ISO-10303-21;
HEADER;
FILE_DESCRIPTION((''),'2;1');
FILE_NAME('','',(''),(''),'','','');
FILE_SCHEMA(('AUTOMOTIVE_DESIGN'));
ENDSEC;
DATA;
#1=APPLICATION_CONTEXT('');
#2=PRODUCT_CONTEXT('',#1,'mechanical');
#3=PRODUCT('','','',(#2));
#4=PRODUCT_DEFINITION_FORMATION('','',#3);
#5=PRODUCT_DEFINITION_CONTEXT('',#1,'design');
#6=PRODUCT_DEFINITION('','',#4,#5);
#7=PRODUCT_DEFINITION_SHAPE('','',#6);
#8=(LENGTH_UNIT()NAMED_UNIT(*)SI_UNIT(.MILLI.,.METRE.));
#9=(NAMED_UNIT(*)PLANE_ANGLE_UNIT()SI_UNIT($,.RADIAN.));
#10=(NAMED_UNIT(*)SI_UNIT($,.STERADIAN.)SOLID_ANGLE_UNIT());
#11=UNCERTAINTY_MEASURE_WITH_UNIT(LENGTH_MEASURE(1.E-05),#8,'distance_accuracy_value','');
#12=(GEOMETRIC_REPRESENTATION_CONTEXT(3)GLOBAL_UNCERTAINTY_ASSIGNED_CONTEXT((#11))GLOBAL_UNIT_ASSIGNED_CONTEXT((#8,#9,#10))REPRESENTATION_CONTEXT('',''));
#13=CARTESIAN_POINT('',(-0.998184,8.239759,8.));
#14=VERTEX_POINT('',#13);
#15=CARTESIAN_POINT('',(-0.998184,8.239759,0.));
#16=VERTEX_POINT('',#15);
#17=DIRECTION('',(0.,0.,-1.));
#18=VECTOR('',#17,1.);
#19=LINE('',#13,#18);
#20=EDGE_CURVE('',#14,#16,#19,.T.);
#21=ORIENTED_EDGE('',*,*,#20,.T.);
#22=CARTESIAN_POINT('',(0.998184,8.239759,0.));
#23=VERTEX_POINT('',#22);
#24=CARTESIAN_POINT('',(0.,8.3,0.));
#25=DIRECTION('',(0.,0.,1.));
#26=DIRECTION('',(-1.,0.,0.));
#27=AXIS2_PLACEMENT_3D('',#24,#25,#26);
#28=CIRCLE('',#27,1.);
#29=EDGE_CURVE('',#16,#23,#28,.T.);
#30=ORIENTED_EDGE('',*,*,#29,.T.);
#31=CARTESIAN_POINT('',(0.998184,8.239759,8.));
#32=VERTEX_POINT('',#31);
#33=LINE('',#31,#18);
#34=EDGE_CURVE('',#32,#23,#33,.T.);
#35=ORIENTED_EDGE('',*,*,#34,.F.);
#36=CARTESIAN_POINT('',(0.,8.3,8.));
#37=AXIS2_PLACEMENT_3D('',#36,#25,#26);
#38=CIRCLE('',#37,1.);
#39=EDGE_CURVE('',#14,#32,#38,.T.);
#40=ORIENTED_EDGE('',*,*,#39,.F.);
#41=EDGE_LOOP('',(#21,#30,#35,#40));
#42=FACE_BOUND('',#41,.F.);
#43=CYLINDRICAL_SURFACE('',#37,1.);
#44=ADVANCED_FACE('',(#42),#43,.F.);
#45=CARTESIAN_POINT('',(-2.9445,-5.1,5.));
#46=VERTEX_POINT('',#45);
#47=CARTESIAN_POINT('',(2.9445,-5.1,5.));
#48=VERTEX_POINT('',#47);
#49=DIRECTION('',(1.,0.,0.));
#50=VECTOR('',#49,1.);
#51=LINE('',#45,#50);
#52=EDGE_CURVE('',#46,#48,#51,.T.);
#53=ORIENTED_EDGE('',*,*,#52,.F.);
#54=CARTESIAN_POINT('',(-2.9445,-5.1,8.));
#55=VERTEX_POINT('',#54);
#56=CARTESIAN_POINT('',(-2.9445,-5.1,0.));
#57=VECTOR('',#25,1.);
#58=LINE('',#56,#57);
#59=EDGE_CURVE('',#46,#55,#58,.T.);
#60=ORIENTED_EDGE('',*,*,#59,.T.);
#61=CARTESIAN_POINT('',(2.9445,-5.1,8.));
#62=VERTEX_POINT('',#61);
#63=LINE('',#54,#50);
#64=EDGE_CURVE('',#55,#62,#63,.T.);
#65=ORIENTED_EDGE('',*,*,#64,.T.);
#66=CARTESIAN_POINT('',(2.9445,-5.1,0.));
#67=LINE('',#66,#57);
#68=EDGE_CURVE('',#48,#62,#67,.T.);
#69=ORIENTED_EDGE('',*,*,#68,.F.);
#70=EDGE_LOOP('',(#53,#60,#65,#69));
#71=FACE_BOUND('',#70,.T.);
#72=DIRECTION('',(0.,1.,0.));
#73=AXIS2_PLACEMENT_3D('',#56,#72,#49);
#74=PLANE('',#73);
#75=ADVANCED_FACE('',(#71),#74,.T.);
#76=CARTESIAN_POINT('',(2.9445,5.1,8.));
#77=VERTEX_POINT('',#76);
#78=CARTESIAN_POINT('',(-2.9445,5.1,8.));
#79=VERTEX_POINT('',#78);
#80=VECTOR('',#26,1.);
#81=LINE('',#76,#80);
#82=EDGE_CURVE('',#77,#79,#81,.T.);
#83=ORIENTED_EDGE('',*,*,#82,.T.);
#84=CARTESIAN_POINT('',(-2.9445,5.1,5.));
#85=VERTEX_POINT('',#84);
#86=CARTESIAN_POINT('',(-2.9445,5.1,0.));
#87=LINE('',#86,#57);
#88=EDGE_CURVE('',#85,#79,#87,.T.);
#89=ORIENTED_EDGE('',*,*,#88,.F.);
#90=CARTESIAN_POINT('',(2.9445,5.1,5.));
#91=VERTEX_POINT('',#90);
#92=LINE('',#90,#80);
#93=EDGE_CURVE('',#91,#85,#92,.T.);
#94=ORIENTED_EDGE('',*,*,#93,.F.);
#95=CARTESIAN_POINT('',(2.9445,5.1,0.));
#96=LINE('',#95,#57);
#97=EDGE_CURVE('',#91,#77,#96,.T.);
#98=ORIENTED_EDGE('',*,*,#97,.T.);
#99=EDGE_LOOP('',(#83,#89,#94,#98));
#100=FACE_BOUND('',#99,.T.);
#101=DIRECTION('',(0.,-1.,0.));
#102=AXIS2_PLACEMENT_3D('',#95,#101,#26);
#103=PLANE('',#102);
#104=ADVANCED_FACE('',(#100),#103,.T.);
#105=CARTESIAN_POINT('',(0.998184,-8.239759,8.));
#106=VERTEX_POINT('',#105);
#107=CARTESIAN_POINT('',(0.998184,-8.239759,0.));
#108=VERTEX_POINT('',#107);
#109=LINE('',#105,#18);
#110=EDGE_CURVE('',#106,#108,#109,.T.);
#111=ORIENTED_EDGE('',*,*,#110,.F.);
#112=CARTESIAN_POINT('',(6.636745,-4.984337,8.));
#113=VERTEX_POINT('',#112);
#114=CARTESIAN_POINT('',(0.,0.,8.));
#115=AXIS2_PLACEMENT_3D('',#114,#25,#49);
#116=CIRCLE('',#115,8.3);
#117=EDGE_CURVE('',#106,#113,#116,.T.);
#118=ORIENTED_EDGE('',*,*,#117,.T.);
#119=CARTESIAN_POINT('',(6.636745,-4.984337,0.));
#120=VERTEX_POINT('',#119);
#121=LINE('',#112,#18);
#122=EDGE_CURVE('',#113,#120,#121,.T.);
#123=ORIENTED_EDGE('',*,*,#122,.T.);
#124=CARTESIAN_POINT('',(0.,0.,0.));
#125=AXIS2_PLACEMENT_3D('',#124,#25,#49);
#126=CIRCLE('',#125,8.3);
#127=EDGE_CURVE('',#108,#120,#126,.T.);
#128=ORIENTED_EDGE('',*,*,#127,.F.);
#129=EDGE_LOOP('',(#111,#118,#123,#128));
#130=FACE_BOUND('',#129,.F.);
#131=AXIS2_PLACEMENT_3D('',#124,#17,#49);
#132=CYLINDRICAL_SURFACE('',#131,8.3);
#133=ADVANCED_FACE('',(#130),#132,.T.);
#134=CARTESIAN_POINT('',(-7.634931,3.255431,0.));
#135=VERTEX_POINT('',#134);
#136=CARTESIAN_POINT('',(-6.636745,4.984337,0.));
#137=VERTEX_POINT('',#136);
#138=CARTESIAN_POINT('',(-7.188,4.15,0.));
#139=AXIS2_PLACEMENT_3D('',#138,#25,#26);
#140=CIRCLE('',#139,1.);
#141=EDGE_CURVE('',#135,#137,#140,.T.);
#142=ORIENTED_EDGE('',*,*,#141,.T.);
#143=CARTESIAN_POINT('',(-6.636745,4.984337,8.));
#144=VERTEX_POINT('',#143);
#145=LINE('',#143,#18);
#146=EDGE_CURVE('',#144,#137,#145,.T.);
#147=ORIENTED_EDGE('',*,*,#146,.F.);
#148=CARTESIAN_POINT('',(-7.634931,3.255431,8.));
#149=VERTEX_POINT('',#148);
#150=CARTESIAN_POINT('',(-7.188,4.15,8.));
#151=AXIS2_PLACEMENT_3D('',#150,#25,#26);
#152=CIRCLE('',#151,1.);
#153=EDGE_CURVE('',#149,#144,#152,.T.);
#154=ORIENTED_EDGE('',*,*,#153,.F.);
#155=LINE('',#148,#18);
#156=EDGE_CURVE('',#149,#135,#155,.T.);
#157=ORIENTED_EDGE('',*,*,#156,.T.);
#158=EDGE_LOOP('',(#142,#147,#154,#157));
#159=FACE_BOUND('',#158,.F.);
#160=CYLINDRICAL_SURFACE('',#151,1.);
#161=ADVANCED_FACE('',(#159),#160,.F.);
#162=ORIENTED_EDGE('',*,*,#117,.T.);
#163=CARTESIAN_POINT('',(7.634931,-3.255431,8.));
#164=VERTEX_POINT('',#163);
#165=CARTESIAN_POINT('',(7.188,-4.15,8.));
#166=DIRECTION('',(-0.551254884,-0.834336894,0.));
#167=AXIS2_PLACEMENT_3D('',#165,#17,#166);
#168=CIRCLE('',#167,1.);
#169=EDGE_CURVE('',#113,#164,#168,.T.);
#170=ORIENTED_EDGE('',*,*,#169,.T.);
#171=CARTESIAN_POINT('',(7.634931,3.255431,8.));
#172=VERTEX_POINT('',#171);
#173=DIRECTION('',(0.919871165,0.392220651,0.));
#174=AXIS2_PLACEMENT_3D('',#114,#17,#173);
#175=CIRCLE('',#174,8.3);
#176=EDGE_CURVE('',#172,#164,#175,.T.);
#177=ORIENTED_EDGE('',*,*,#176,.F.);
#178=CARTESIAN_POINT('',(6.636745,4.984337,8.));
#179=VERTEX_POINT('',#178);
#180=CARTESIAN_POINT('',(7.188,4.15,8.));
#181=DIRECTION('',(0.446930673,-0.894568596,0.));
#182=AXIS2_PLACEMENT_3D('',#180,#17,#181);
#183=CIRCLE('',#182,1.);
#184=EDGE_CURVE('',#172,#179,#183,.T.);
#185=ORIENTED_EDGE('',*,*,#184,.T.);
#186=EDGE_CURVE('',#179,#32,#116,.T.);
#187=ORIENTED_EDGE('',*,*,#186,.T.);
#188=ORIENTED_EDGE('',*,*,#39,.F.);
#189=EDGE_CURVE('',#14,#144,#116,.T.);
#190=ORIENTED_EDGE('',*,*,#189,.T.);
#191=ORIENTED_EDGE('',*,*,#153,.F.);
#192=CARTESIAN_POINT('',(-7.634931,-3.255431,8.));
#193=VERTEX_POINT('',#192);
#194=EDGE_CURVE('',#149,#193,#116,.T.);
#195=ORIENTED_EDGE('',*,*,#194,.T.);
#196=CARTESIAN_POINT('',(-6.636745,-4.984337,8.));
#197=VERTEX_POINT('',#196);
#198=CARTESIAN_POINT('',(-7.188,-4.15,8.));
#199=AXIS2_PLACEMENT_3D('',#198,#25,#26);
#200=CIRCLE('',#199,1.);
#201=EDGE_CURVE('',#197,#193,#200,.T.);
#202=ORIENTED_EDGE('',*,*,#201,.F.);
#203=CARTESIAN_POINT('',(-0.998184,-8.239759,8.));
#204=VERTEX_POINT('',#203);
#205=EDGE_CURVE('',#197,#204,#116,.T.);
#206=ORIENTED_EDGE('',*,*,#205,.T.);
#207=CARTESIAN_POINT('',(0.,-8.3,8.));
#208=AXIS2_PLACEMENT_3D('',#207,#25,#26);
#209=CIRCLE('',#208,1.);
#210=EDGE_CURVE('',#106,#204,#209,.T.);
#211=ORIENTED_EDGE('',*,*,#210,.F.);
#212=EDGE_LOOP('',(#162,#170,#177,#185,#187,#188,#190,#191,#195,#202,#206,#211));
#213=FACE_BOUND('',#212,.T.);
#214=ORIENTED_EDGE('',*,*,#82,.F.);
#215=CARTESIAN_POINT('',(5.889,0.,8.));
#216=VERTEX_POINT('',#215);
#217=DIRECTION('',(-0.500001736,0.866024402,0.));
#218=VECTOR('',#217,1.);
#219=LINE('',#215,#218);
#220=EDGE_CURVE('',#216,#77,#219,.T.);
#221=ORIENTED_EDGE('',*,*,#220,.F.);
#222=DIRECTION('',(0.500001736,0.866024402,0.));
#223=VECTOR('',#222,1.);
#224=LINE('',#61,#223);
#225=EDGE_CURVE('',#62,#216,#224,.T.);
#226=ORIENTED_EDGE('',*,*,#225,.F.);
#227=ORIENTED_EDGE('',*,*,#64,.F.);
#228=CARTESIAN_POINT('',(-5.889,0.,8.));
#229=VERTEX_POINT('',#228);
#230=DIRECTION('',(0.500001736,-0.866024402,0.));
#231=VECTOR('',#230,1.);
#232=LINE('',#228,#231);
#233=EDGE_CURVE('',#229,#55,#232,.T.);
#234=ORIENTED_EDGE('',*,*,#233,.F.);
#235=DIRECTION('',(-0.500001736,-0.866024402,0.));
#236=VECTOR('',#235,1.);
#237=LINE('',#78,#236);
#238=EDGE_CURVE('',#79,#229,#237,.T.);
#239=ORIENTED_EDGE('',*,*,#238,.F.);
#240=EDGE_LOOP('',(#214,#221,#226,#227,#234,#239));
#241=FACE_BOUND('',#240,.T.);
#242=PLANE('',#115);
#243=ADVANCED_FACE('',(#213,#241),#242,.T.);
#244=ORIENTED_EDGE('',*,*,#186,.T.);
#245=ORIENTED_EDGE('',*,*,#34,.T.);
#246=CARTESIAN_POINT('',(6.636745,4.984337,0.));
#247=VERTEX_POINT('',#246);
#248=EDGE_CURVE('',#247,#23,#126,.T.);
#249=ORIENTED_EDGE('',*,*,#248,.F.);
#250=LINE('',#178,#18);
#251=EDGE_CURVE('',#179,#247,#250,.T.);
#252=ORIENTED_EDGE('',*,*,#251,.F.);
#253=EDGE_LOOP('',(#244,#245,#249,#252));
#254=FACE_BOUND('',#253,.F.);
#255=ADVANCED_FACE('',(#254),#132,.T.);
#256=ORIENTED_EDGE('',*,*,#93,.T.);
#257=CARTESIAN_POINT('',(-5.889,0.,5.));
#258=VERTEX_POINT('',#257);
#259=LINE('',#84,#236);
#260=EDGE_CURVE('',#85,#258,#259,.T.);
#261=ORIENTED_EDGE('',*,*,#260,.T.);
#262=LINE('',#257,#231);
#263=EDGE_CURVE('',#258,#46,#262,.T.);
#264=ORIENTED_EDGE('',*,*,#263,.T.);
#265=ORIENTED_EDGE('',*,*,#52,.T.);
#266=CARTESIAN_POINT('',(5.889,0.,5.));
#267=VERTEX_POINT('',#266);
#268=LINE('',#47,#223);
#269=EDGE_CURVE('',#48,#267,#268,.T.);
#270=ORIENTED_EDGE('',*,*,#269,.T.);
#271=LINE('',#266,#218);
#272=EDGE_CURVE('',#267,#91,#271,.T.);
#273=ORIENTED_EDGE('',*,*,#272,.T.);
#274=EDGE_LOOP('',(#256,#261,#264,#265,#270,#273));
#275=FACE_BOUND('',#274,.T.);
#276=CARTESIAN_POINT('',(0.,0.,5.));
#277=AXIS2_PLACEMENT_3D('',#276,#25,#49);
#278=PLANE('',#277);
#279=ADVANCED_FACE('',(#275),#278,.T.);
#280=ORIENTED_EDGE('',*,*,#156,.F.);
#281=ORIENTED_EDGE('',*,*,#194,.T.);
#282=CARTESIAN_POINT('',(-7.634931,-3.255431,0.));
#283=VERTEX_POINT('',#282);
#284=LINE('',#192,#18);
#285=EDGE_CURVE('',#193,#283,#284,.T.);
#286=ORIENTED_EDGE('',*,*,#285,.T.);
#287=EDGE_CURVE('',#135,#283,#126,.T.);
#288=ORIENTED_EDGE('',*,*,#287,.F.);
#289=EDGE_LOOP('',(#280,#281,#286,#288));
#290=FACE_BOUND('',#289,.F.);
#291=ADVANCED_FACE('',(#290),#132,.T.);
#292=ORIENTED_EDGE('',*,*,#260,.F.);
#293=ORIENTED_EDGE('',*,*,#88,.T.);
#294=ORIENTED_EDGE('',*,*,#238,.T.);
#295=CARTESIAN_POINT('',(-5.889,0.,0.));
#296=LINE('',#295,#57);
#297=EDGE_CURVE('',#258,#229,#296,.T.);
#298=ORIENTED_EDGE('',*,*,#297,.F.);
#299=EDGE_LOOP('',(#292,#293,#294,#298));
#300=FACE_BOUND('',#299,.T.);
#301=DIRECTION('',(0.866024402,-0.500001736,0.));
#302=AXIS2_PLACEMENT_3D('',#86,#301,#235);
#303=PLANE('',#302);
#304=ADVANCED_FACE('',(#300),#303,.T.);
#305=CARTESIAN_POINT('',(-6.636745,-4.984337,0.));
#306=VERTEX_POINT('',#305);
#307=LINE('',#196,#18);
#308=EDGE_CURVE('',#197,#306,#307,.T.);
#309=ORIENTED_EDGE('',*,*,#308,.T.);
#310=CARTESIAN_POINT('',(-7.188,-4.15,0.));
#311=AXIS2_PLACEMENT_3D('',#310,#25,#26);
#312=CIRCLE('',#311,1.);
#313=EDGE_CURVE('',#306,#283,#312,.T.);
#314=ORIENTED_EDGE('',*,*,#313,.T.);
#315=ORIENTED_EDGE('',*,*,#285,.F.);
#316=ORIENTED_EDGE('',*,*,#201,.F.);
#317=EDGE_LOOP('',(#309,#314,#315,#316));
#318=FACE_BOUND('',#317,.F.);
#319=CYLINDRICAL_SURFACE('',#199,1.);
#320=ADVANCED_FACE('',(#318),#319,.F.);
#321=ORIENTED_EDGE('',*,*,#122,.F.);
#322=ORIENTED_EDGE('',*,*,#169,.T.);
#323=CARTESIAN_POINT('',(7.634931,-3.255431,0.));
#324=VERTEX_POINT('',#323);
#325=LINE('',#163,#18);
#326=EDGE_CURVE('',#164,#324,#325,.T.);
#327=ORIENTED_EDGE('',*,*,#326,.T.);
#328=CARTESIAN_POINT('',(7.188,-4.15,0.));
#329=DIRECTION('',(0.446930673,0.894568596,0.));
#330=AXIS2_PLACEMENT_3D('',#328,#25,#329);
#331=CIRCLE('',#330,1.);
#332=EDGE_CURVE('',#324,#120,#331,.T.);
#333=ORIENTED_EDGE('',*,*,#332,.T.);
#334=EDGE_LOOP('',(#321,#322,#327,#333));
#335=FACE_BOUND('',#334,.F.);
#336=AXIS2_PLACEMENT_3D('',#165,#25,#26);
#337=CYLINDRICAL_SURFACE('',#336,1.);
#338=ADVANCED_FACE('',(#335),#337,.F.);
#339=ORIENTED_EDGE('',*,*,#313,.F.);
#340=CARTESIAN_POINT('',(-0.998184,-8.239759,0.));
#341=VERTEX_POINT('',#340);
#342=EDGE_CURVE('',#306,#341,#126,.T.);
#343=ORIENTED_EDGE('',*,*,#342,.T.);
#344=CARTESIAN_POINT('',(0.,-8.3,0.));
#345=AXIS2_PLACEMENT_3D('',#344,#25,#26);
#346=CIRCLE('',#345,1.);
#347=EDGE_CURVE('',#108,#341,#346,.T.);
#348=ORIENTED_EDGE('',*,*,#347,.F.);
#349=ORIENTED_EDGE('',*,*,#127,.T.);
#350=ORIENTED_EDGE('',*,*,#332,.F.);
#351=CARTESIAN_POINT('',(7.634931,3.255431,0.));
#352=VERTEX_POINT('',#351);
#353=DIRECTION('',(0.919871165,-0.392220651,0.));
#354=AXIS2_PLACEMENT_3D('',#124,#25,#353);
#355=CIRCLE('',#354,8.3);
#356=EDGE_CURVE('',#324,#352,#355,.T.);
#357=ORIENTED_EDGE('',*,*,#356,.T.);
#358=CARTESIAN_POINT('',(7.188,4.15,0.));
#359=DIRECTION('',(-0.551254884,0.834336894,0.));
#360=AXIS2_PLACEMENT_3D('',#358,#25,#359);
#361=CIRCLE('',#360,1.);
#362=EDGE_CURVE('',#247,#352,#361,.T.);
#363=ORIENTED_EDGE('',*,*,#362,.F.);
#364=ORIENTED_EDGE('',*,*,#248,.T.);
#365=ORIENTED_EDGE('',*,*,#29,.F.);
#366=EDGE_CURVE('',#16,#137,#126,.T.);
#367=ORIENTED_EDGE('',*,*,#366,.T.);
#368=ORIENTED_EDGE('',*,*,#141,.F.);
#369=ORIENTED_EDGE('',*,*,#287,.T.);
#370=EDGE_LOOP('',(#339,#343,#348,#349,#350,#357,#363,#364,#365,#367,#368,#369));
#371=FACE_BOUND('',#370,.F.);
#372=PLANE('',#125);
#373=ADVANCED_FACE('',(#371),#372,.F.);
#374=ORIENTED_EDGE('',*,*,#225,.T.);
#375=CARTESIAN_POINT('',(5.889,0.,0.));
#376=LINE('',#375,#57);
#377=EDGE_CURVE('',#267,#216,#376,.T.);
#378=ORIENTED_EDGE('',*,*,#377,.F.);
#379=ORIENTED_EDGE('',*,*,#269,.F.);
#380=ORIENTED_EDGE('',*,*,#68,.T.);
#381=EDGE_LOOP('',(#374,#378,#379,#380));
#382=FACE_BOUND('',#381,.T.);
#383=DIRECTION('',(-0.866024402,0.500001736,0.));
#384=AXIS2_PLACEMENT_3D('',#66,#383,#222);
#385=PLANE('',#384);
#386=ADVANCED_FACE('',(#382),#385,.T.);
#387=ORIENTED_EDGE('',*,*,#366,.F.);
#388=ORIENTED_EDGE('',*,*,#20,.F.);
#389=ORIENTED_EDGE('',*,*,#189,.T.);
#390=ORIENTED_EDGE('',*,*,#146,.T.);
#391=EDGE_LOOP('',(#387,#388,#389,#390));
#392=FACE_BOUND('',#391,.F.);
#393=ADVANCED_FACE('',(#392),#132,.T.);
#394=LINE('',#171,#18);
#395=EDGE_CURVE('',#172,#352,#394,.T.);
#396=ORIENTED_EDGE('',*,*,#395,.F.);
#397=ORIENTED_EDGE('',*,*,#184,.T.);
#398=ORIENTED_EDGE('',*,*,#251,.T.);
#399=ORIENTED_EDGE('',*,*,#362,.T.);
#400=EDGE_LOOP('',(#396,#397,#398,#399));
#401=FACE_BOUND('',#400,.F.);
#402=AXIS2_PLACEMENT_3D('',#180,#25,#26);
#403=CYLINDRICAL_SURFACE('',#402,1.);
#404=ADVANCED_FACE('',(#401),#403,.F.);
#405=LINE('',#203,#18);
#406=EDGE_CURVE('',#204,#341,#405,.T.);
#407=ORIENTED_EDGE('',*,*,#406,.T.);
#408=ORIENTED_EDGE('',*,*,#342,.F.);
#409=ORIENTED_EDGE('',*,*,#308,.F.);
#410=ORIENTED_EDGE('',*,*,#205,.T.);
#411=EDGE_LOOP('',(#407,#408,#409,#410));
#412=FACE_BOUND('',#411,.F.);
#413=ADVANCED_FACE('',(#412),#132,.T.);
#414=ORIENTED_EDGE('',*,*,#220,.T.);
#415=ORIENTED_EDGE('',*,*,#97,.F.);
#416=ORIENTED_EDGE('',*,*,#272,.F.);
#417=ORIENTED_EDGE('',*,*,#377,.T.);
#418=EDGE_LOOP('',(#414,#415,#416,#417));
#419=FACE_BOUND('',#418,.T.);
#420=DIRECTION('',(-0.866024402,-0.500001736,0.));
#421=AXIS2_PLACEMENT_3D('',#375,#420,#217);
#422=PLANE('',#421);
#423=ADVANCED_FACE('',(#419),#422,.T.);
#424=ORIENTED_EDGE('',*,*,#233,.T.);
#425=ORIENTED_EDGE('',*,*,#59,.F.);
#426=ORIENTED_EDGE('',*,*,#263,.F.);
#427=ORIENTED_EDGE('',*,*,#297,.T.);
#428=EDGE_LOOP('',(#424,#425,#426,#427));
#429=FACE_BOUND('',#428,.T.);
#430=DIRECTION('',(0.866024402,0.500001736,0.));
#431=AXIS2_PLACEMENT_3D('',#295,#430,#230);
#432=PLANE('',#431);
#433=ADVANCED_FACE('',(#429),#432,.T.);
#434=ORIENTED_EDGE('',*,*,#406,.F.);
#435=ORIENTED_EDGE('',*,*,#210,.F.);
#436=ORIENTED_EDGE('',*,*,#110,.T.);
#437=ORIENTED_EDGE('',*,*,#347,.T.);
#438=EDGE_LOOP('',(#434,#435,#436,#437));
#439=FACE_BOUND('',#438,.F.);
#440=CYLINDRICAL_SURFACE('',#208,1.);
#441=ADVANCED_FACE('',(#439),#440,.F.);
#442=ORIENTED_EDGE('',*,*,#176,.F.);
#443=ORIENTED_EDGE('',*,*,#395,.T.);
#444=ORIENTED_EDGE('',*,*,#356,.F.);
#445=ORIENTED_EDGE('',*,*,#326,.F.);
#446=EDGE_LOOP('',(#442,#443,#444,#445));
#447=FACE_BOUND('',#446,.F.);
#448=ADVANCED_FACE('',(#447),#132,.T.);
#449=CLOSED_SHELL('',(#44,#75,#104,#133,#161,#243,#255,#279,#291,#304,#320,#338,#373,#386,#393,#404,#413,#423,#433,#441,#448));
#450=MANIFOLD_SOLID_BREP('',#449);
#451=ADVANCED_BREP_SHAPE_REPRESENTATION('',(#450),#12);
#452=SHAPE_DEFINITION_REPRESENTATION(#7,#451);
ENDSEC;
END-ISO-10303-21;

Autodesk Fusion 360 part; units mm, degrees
sketch "Boceto1" plane through (0, 0, 0) normal (0, 0, 1) x (1, 0, 0)
  line L0 (2.9445, -5.1) -> (5.889, 0)
  line L1 (5.889, 0) -> (2.9445, 5.1)
  line L2 (2.9445, 5.1) -> (-2.9445, 5.1)
  line L3 (-2.9445, 5.1) -> (-5.889, 0)
  line L4 (-5.889, 0) -> (-2.9445, -5.1)
  line L5 (-2.9445, -5.1) -> (2.9445, -5.1)
  circle A0 centre (0, 0) radius 8.3
  dimension "d1" = 5.1
  dimension "d2" = 16.6
extrude "Extruir1" add sketch "Boceto1" along normal blind 8
extrude "Extruir2" add sketch "Boceto1" along normal blind 5 contours L0 L1 L2 L3 L4 L5
sketch "Boceto2" plane through (0, 0, 8) normal (0, 0, 1) x (-1, 0, 0)
  line L0 (-2.9445, 5.1) -> (2.9445, 5.1)
  line L1 (2.9445, 5.1) -> (5.889, 0)
  line L2 (5.889, 0) -> (2.9445, -5.1)
  line L3 (2.9445, -5.1) -> (-2.9445, -5.1)
  line L4 (-2.9445, -5.1) -> (-5.889, 0)
  line L5 (-5.889, 0) -> (-2.9445, 5.1)
  circle A0 centre (0, 0) radius 8.3
  circle A1 centre (0, -8.3) radius 1
  line L6 (0, 0) -> (0, -10.2342) construction
  circle A2 centre (7.188, -4.15) radius 1
  circle A3 centre (7.188, 4.15) radius 1
  circle A4 centre (0, 8.3) radius 1
  circle A5 centre (-7.188, 4.15) radius 1
  circle A6 centre (-7.188, -4.15) radius 1
  dimension "d7" = 2
  dimension "d9" = 360
extrude "Extruir3" cut sketch "Boceto2" against normal blind 8 contours A0 A3 | A0 A2 | A0 A4 | A0 A1 | A0 A5 | A0 A6 picked at (6.8842, 4.0023) picked at (6.8842, -4.0023) picked at (-0.024, 7.9631) picked at (-0.024, -7.9631) picked at (-6.9055, 3.9648) picked at (-6.9055, -3.9648)
